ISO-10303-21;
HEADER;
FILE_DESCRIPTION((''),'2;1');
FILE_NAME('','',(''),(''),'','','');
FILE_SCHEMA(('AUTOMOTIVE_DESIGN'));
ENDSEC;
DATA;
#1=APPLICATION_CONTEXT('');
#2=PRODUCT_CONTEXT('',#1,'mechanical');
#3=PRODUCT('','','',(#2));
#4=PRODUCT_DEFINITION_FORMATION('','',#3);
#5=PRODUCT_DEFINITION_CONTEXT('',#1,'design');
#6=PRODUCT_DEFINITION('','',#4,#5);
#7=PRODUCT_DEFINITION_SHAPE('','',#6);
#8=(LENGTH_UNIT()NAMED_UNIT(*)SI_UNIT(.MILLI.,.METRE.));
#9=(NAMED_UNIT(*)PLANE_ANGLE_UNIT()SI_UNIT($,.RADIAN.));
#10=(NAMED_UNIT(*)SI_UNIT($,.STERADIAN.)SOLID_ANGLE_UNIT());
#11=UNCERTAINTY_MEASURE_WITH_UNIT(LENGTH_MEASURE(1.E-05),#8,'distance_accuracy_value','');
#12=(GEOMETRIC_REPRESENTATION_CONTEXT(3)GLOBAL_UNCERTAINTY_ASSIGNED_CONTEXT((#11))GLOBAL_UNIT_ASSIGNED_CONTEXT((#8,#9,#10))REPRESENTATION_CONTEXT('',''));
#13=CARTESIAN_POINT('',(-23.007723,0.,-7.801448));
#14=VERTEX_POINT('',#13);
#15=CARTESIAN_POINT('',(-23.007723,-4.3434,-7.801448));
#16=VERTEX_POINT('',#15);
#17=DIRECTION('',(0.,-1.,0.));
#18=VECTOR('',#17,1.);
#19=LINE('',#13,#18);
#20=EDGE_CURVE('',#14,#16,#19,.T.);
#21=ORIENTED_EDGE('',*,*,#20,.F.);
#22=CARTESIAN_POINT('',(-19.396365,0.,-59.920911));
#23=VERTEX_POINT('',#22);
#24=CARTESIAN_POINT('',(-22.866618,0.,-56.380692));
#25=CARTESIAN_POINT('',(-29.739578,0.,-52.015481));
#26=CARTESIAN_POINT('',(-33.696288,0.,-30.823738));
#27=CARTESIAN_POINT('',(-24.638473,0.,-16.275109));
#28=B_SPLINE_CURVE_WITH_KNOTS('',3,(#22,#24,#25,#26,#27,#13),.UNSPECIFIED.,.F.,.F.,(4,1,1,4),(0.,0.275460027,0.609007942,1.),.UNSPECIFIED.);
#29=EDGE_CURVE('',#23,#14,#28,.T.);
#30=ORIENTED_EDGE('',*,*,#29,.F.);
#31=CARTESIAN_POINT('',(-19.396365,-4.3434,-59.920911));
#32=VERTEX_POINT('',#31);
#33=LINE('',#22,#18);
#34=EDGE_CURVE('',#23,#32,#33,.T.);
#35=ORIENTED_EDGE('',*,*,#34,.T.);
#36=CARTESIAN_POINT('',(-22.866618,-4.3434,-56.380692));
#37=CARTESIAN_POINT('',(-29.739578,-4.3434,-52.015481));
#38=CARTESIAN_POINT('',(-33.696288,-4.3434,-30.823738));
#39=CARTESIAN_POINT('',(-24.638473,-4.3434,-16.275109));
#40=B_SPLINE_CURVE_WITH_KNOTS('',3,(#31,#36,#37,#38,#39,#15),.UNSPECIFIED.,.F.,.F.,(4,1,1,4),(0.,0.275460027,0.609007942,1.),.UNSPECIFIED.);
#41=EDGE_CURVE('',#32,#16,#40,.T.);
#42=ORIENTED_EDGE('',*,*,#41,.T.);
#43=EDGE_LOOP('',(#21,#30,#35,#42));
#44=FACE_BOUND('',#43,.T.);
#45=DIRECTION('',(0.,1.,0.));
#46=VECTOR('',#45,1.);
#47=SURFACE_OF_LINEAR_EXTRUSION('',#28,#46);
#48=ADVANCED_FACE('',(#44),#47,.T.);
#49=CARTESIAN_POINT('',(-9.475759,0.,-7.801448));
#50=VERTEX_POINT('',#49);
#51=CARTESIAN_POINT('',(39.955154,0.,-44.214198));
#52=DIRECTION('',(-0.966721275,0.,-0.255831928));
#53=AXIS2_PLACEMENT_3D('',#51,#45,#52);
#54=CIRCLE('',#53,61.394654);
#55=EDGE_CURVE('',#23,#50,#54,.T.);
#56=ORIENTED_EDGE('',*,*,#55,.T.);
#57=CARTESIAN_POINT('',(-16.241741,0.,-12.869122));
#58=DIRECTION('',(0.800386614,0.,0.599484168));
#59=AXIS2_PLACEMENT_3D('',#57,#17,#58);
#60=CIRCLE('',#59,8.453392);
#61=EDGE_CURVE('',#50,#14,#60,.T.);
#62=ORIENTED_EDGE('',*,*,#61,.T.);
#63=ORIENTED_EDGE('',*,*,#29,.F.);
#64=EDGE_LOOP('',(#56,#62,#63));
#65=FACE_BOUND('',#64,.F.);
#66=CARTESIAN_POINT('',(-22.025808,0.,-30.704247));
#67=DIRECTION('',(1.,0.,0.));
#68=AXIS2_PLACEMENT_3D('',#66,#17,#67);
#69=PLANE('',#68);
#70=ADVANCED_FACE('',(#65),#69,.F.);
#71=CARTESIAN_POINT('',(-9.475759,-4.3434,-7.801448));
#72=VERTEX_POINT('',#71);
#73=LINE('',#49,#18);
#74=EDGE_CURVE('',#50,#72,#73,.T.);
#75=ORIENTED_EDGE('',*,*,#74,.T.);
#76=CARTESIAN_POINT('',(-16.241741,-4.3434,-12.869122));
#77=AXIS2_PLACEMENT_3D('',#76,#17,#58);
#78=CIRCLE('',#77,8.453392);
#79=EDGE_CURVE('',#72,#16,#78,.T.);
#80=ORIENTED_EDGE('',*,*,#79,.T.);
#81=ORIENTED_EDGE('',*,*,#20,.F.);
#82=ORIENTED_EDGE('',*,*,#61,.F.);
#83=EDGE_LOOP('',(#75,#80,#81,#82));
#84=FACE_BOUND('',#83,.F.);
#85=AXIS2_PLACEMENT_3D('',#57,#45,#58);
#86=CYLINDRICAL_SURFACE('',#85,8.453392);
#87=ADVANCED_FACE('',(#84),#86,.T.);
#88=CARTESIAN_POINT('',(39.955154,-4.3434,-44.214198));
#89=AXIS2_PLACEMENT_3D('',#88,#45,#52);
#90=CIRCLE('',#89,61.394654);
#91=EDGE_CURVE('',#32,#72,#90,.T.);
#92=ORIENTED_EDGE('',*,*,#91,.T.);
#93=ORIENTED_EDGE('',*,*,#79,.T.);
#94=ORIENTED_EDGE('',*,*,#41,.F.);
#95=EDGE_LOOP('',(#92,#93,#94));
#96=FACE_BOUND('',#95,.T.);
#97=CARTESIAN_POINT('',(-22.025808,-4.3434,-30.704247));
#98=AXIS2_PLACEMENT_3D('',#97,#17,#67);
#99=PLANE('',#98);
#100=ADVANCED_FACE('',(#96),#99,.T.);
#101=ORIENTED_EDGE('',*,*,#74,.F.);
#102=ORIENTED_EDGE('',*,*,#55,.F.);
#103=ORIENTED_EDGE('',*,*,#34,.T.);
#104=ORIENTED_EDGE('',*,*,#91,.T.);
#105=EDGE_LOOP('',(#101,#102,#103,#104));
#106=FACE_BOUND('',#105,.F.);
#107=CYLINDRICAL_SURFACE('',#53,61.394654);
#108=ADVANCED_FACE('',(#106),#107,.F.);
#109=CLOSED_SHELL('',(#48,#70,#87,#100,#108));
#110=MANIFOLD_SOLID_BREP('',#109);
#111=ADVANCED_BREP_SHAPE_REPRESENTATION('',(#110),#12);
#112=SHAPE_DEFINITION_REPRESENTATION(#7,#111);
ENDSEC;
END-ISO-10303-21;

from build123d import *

# Parameters (mm, degrees)
F1_DEPTH = 4.3434


with BuildPart() as f1:
    # F0 (on Front) → F1 (new body)
    with BuildSketch(Plane.XZ):
        with BuildLine():
            ThreePointArc((-19.3963646889, -59.9209107459), (-20.3566524263, -32.7342327885), (-9.4757593483, -7.8014476107))
            ThreePointArc((-9.4757593483, -7.8014476107), (-16.2417409599, -4.4157303775), (-23.0077225715, -7.8014476107))
            add(Edge.make_bspline(
                [(-19.3963646889, -59.9209107459), (-22.8666178291, -56.3806918441), (-29.7395780168, -52.0154811904), (-33.6962882516, -30.8237382528), (-24.638472972, -16.2751088341), (-23.0077225715, -7.8014476107)],
                knots=[0, 0, 0, 0, 0.2754600271, 0.6090079424, 1, 1, 1, 1], degree=3))
        make_face()
    extrude(amount=F1_DEPTH)


solid = f1.part
